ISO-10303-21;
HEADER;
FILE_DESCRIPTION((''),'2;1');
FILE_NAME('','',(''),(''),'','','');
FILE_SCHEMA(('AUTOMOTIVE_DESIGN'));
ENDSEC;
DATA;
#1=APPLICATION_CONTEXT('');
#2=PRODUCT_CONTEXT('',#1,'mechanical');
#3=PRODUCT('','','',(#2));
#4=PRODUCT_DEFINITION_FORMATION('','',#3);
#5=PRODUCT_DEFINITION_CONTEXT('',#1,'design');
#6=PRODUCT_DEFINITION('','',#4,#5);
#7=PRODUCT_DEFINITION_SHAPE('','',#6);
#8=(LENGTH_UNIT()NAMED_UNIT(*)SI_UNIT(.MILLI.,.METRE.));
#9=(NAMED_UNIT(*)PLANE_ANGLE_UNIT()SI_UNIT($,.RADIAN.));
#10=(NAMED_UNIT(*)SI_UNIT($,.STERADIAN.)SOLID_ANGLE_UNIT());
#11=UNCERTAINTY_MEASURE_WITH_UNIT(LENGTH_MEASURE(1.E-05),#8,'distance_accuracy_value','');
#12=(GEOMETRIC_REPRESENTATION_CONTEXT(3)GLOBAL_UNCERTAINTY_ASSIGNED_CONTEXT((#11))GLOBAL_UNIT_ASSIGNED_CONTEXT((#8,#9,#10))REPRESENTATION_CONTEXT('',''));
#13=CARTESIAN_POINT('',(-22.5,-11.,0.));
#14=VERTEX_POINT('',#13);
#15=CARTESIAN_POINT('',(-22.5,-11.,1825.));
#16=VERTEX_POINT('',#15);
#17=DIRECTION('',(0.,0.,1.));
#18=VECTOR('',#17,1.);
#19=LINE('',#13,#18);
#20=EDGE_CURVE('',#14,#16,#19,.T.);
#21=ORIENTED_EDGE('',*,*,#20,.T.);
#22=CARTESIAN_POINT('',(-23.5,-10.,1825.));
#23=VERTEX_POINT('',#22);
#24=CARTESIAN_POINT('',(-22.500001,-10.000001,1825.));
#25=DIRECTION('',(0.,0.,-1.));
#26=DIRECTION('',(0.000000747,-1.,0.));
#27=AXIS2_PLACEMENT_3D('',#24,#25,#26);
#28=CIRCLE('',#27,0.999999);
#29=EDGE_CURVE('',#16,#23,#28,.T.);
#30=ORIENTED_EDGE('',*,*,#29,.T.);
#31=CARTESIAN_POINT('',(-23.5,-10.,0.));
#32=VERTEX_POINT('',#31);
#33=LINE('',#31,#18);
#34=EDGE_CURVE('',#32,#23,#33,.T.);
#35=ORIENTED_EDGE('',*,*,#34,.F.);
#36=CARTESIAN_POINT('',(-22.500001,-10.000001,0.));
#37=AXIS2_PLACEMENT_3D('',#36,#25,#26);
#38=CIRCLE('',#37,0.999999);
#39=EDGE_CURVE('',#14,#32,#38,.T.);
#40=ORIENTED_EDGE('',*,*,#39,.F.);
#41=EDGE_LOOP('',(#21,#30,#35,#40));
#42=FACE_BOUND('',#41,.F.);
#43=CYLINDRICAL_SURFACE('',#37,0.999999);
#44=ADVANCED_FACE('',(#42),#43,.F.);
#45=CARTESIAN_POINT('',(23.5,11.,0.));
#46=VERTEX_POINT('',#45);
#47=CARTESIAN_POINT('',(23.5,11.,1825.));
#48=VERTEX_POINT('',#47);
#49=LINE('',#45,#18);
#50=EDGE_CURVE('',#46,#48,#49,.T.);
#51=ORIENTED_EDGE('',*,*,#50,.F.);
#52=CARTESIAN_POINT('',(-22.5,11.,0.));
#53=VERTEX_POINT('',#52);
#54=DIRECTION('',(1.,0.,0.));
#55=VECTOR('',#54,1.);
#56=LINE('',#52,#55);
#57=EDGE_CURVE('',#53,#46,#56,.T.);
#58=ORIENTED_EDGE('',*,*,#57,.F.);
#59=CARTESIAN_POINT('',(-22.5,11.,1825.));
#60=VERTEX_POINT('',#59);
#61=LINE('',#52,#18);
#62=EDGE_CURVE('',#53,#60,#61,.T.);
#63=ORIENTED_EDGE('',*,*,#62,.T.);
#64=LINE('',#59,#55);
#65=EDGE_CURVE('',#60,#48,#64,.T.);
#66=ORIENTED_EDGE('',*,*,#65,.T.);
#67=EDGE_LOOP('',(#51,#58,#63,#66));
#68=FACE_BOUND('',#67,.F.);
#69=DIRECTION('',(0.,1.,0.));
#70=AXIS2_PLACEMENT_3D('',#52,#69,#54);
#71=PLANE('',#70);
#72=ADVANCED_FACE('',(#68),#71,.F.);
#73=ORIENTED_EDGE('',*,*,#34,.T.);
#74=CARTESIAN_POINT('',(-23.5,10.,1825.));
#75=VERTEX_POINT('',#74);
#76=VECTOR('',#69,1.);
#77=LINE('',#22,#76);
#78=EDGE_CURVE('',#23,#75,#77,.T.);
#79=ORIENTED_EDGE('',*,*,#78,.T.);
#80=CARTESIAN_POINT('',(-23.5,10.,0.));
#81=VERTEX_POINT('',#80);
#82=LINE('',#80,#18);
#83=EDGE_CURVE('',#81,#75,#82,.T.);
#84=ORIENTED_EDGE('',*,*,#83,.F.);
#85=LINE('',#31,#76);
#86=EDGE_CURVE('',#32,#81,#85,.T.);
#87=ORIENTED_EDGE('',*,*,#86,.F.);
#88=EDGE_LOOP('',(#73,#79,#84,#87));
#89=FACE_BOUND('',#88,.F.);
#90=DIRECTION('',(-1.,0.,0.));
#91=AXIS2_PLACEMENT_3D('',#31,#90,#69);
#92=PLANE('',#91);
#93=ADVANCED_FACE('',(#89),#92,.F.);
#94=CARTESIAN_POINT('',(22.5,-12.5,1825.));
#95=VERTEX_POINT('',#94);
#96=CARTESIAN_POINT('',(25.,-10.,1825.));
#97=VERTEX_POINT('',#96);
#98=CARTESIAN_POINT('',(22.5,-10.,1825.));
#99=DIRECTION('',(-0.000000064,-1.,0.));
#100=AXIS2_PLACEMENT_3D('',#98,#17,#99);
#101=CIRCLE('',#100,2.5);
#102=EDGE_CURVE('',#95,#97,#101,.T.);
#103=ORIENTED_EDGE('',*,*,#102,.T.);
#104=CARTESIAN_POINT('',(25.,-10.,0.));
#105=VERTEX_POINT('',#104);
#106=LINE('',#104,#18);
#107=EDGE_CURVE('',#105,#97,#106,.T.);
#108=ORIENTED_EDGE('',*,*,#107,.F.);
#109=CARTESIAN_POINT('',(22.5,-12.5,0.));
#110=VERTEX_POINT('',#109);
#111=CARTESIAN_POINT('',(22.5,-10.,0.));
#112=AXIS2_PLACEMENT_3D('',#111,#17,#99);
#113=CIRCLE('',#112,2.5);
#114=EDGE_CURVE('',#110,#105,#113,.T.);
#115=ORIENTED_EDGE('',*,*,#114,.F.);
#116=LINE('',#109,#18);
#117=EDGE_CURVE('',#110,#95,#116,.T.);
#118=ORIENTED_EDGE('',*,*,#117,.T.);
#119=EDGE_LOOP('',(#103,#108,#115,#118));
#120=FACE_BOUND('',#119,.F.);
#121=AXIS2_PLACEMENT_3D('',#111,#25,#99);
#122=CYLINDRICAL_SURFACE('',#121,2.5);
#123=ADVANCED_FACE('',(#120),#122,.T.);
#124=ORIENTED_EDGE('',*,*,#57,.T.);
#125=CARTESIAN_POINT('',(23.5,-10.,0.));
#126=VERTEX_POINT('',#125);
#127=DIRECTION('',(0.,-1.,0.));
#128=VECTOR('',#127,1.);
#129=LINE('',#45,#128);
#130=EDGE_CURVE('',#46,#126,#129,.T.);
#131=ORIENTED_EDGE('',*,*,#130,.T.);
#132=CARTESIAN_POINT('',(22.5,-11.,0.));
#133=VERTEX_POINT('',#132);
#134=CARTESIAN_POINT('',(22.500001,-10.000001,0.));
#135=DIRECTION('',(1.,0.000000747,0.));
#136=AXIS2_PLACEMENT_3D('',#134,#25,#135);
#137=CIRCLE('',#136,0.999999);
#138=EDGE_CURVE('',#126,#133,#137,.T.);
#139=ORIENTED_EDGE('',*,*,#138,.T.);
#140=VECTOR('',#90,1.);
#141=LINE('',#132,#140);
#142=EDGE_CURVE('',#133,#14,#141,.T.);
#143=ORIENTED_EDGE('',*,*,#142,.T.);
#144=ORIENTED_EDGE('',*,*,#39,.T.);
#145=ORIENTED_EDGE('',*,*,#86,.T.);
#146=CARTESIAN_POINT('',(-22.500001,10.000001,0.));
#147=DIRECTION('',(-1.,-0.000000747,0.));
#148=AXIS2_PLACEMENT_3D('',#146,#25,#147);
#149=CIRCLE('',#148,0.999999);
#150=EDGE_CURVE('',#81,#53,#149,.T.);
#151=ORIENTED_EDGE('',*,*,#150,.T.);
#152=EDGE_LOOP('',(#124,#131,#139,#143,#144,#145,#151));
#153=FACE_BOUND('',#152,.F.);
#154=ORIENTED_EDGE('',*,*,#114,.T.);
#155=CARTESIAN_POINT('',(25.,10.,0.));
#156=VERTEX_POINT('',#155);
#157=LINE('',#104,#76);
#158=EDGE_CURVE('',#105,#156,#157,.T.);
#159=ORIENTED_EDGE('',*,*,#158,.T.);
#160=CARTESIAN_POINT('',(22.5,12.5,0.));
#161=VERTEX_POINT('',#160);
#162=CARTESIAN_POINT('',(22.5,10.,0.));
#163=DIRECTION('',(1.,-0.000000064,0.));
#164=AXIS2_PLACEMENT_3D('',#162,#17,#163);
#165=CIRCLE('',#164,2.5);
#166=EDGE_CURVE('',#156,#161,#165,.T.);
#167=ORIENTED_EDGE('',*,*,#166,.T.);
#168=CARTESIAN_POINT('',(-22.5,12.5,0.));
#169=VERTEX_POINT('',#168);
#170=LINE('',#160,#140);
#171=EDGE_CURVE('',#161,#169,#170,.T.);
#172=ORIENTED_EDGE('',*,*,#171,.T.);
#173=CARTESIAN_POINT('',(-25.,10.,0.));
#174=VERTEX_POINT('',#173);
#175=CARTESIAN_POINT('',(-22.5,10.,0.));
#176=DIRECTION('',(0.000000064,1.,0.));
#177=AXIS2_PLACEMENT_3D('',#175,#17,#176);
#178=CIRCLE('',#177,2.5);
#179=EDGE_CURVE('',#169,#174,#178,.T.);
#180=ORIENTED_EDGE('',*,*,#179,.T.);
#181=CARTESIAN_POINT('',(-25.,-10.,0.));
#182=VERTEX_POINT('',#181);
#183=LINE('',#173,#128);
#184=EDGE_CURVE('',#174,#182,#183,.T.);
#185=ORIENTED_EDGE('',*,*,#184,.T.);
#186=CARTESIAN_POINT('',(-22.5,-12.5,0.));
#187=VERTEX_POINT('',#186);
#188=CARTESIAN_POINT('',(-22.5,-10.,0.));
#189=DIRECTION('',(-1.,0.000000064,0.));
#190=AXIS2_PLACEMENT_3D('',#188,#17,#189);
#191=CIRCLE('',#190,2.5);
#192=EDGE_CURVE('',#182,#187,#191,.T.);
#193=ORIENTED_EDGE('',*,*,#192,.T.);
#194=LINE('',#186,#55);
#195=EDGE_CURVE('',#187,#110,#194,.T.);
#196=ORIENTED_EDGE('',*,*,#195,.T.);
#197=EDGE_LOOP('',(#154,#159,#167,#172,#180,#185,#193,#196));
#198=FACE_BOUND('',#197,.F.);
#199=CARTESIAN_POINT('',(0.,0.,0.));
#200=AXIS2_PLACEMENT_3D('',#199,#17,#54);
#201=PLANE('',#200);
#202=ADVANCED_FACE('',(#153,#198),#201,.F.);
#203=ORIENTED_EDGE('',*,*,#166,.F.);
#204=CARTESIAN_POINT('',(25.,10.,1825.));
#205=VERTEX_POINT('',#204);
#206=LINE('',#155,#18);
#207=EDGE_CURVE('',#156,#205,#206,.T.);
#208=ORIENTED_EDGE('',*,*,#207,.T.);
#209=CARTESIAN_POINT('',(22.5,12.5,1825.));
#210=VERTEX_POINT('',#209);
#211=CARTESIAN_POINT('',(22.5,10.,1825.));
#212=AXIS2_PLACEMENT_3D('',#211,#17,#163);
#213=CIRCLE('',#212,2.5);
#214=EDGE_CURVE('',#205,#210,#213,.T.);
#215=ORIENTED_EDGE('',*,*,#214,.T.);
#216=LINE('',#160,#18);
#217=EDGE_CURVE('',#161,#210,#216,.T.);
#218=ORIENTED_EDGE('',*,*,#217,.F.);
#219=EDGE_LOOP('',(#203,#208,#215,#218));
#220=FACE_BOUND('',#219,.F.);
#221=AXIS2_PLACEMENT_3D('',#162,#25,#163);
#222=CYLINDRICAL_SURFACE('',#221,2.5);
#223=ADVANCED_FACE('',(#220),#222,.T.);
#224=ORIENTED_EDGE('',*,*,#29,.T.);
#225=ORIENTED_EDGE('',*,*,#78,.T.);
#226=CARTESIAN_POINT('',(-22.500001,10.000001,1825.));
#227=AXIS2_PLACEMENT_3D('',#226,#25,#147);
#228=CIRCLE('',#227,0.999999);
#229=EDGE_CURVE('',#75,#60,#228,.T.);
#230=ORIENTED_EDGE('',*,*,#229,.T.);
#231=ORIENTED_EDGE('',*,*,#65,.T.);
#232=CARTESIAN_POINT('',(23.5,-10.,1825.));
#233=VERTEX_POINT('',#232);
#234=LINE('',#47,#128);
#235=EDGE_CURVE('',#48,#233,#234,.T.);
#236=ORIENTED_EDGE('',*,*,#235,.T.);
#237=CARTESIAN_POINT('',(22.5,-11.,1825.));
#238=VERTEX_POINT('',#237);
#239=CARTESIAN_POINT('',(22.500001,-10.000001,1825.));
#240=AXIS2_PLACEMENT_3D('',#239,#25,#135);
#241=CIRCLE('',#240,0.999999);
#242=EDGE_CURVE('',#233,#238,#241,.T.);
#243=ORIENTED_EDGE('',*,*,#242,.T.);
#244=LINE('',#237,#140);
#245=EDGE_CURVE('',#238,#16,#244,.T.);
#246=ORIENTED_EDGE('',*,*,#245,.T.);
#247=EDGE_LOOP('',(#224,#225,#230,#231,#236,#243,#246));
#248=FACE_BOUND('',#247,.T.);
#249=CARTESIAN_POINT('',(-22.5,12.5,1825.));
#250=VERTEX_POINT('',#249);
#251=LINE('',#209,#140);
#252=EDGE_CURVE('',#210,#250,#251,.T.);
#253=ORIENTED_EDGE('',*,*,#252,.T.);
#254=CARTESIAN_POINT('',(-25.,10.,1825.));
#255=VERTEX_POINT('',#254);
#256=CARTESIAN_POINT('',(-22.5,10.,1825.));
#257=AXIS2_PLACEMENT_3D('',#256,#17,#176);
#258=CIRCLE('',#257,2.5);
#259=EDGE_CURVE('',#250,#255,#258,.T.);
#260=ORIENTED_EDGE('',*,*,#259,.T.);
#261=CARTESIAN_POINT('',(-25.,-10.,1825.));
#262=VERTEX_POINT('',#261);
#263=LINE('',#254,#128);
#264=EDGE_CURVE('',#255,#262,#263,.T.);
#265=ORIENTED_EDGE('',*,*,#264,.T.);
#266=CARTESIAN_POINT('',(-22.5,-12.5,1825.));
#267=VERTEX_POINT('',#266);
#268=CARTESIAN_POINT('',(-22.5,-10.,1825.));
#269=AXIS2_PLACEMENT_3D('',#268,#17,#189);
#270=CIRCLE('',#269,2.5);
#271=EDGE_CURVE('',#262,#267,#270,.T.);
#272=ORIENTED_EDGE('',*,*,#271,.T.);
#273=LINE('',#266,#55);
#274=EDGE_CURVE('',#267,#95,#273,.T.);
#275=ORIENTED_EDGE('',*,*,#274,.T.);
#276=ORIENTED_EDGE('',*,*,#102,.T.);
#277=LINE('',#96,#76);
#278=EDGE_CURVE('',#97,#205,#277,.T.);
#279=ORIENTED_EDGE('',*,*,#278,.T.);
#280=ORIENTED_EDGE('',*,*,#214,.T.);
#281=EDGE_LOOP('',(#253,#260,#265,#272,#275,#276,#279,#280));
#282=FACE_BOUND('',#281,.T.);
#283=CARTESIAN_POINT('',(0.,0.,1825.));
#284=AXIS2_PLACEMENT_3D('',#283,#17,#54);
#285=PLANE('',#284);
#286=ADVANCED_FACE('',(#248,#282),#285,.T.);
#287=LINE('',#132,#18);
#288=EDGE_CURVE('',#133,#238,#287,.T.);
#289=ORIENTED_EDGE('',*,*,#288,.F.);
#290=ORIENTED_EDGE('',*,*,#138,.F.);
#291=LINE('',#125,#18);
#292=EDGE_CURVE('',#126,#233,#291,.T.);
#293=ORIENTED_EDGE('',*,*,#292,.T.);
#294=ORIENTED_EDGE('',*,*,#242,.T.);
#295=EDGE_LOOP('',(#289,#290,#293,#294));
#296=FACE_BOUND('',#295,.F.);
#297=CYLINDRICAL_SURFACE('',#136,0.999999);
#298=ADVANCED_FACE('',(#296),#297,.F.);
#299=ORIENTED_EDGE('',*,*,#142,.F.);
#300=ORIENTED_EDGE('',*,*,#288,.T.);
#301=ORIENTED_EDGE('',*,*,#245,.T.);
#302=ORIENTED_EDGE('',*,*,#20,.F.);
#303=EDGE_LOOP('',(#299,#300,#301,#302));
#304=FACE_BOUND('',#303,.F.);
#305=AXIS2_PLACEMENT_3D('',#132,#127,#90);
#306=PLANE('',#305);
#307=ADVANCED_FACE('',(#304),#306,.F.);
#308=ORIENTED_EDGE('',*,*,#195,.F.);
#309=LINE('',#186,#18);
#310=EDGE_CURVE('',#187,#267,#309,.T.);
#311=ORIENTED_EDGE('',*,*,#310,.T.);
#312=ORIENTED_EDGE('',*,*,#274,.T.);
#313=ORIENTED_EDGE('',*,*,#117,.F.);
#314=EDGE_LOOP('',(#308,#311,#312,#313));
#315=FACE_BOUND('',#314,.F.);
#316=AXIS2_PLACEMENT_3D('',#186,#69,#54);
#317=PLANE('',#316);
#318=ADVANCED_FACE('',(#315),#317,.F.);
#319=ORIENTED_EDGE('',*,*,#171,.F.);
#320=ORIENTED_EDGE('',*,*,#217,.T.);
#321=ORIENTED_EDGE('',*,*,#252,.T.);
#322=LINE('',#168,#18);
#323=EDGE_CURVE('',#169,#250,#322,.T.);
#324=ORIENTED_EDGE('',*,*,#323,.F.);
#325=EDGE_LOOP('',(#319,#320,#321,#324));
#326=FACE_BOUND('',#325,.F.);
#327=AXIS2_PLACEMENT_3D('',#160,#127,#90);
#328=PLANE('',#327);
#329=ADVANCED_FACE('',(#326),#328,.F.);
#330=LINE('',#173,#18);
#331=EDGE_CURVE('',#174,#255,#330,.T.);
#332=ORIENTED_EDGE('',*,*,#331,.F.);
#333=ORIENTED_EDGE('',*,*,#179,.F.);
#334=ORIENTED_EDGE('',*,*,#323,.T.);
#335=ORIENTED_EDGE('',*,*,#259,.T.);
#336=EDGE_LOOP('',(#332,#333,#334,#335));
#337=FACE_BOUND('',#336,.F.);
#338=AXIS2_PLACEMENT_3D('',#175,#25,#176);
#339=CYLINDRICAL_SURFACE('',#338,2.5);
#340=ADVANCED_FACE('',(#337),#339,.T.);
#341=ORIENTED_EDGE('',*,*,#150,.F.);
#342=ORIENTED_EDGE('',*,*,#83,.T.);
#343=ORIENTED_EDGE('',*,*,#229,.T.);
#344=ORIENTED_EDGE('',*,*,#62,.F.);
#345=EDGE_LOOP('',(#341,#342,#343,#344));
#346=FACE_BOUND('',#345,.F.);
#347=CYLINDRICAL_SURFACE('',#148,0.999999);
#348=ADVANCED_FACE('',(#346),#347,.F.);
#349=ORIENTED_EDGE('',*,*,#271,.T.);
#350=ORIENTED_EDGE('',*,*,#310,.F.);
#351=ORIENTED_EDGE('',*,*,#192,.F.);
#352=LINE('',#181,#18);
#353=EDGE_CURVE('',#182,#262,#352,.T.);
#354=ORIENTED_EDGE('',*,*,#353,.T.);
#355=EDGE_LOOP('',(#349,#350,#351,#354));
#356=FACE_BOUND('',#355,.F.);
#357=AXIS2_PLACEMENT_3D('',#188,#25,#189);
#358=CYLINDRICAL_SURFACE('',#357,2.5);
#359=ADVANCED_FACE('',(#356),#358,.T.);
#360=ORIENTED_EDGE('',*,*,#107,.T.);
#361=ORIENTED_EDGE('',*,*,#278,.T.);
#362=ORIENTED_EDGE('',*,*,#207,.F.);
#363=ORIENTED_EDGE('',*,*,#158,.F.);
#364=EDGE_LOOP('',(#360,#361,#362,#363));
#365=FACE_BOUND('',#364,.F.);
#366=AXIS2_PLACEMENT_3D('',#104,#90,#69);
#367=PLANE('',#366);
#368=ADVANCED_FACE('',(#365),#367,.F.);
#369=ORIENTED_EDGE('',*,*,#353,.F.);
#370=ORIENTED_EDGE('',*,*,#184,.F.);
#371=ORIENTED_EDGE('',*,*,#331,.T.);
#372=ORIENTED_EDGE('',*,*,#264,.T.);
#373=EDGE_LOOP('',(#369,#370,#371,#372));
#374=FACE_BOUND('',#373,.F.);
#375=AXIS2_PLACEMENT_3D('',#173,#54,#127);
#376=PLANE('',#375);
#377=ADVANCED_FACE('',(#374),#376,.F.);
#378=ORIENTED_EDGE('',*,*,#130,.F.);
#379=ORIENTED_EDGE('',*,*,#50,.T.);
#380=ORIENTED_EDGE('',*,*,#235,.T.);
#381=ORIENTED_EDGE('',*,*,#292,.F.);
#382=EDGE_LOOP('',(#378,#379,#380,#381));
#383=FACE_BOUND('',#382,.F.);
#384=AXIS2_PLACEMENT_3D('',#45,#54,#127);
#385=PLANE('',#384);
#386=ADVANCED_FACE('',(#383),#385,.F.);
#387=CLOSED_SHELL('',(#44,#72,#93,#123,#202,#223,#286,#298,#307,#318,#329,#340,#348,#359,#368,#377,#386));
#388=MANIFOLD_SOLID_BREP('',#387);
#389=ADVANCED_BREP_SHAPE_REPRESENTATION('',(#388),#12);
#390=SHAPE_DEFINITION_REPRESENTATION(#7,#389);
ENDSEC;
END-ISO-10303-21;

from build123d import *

# Parameters (mm, degrees)
F1_DEPTH = 1825


with BuildPart() as f1:
    # F0 (on Top) → F1 (new body)
    with BuildSketch(Plane.XY):
        with BuildLine():
            ThreePointArc((25, 10), (24.267767, 11.767767), (22.5, 12.5))
            Line((22.5, 12.5), (-22.5, 12.5))
            ThreePointArc((-22.5, 12.5), (-24.267767, 11.767767), (-25, 10))
            Line((-25, 10), (-25, -10))
            ThreePointArc((-25, -10), (-24.267767, -11.767767), (-22.5, -12.5))
            Line((-22.5, -12.5), (22.5, -12.5))
            ThreePointArc((22.5, -12.5), (24.267767, -11.767767), (25, -10))
            Line((25, -10), (25, 10))
        make_face()
        with BuildLine():
            ThreePointArc((23.5, -10), (23.207107, -10.707107), (22.5, -11))
            Line((22.5, -11), (-22.5, -11))
            ThreePointArc((-22.5, -11), (-23.207107, -10.707107), (-23.5, -10))
            Line((-23.5, -10), (-23.5, 10))
            ThreePointArc((-23.5, 10), (-23.207107, 10.707107), (-22.5, 11))
            Line((-22.5, 11), (23.5, 11))
            Line((23.5, 11), (23.5, -10))
        make_face(mode=Mode.SUBTRACT)
    extrude(amount=F1_DEPTH)


solid = f1.part
